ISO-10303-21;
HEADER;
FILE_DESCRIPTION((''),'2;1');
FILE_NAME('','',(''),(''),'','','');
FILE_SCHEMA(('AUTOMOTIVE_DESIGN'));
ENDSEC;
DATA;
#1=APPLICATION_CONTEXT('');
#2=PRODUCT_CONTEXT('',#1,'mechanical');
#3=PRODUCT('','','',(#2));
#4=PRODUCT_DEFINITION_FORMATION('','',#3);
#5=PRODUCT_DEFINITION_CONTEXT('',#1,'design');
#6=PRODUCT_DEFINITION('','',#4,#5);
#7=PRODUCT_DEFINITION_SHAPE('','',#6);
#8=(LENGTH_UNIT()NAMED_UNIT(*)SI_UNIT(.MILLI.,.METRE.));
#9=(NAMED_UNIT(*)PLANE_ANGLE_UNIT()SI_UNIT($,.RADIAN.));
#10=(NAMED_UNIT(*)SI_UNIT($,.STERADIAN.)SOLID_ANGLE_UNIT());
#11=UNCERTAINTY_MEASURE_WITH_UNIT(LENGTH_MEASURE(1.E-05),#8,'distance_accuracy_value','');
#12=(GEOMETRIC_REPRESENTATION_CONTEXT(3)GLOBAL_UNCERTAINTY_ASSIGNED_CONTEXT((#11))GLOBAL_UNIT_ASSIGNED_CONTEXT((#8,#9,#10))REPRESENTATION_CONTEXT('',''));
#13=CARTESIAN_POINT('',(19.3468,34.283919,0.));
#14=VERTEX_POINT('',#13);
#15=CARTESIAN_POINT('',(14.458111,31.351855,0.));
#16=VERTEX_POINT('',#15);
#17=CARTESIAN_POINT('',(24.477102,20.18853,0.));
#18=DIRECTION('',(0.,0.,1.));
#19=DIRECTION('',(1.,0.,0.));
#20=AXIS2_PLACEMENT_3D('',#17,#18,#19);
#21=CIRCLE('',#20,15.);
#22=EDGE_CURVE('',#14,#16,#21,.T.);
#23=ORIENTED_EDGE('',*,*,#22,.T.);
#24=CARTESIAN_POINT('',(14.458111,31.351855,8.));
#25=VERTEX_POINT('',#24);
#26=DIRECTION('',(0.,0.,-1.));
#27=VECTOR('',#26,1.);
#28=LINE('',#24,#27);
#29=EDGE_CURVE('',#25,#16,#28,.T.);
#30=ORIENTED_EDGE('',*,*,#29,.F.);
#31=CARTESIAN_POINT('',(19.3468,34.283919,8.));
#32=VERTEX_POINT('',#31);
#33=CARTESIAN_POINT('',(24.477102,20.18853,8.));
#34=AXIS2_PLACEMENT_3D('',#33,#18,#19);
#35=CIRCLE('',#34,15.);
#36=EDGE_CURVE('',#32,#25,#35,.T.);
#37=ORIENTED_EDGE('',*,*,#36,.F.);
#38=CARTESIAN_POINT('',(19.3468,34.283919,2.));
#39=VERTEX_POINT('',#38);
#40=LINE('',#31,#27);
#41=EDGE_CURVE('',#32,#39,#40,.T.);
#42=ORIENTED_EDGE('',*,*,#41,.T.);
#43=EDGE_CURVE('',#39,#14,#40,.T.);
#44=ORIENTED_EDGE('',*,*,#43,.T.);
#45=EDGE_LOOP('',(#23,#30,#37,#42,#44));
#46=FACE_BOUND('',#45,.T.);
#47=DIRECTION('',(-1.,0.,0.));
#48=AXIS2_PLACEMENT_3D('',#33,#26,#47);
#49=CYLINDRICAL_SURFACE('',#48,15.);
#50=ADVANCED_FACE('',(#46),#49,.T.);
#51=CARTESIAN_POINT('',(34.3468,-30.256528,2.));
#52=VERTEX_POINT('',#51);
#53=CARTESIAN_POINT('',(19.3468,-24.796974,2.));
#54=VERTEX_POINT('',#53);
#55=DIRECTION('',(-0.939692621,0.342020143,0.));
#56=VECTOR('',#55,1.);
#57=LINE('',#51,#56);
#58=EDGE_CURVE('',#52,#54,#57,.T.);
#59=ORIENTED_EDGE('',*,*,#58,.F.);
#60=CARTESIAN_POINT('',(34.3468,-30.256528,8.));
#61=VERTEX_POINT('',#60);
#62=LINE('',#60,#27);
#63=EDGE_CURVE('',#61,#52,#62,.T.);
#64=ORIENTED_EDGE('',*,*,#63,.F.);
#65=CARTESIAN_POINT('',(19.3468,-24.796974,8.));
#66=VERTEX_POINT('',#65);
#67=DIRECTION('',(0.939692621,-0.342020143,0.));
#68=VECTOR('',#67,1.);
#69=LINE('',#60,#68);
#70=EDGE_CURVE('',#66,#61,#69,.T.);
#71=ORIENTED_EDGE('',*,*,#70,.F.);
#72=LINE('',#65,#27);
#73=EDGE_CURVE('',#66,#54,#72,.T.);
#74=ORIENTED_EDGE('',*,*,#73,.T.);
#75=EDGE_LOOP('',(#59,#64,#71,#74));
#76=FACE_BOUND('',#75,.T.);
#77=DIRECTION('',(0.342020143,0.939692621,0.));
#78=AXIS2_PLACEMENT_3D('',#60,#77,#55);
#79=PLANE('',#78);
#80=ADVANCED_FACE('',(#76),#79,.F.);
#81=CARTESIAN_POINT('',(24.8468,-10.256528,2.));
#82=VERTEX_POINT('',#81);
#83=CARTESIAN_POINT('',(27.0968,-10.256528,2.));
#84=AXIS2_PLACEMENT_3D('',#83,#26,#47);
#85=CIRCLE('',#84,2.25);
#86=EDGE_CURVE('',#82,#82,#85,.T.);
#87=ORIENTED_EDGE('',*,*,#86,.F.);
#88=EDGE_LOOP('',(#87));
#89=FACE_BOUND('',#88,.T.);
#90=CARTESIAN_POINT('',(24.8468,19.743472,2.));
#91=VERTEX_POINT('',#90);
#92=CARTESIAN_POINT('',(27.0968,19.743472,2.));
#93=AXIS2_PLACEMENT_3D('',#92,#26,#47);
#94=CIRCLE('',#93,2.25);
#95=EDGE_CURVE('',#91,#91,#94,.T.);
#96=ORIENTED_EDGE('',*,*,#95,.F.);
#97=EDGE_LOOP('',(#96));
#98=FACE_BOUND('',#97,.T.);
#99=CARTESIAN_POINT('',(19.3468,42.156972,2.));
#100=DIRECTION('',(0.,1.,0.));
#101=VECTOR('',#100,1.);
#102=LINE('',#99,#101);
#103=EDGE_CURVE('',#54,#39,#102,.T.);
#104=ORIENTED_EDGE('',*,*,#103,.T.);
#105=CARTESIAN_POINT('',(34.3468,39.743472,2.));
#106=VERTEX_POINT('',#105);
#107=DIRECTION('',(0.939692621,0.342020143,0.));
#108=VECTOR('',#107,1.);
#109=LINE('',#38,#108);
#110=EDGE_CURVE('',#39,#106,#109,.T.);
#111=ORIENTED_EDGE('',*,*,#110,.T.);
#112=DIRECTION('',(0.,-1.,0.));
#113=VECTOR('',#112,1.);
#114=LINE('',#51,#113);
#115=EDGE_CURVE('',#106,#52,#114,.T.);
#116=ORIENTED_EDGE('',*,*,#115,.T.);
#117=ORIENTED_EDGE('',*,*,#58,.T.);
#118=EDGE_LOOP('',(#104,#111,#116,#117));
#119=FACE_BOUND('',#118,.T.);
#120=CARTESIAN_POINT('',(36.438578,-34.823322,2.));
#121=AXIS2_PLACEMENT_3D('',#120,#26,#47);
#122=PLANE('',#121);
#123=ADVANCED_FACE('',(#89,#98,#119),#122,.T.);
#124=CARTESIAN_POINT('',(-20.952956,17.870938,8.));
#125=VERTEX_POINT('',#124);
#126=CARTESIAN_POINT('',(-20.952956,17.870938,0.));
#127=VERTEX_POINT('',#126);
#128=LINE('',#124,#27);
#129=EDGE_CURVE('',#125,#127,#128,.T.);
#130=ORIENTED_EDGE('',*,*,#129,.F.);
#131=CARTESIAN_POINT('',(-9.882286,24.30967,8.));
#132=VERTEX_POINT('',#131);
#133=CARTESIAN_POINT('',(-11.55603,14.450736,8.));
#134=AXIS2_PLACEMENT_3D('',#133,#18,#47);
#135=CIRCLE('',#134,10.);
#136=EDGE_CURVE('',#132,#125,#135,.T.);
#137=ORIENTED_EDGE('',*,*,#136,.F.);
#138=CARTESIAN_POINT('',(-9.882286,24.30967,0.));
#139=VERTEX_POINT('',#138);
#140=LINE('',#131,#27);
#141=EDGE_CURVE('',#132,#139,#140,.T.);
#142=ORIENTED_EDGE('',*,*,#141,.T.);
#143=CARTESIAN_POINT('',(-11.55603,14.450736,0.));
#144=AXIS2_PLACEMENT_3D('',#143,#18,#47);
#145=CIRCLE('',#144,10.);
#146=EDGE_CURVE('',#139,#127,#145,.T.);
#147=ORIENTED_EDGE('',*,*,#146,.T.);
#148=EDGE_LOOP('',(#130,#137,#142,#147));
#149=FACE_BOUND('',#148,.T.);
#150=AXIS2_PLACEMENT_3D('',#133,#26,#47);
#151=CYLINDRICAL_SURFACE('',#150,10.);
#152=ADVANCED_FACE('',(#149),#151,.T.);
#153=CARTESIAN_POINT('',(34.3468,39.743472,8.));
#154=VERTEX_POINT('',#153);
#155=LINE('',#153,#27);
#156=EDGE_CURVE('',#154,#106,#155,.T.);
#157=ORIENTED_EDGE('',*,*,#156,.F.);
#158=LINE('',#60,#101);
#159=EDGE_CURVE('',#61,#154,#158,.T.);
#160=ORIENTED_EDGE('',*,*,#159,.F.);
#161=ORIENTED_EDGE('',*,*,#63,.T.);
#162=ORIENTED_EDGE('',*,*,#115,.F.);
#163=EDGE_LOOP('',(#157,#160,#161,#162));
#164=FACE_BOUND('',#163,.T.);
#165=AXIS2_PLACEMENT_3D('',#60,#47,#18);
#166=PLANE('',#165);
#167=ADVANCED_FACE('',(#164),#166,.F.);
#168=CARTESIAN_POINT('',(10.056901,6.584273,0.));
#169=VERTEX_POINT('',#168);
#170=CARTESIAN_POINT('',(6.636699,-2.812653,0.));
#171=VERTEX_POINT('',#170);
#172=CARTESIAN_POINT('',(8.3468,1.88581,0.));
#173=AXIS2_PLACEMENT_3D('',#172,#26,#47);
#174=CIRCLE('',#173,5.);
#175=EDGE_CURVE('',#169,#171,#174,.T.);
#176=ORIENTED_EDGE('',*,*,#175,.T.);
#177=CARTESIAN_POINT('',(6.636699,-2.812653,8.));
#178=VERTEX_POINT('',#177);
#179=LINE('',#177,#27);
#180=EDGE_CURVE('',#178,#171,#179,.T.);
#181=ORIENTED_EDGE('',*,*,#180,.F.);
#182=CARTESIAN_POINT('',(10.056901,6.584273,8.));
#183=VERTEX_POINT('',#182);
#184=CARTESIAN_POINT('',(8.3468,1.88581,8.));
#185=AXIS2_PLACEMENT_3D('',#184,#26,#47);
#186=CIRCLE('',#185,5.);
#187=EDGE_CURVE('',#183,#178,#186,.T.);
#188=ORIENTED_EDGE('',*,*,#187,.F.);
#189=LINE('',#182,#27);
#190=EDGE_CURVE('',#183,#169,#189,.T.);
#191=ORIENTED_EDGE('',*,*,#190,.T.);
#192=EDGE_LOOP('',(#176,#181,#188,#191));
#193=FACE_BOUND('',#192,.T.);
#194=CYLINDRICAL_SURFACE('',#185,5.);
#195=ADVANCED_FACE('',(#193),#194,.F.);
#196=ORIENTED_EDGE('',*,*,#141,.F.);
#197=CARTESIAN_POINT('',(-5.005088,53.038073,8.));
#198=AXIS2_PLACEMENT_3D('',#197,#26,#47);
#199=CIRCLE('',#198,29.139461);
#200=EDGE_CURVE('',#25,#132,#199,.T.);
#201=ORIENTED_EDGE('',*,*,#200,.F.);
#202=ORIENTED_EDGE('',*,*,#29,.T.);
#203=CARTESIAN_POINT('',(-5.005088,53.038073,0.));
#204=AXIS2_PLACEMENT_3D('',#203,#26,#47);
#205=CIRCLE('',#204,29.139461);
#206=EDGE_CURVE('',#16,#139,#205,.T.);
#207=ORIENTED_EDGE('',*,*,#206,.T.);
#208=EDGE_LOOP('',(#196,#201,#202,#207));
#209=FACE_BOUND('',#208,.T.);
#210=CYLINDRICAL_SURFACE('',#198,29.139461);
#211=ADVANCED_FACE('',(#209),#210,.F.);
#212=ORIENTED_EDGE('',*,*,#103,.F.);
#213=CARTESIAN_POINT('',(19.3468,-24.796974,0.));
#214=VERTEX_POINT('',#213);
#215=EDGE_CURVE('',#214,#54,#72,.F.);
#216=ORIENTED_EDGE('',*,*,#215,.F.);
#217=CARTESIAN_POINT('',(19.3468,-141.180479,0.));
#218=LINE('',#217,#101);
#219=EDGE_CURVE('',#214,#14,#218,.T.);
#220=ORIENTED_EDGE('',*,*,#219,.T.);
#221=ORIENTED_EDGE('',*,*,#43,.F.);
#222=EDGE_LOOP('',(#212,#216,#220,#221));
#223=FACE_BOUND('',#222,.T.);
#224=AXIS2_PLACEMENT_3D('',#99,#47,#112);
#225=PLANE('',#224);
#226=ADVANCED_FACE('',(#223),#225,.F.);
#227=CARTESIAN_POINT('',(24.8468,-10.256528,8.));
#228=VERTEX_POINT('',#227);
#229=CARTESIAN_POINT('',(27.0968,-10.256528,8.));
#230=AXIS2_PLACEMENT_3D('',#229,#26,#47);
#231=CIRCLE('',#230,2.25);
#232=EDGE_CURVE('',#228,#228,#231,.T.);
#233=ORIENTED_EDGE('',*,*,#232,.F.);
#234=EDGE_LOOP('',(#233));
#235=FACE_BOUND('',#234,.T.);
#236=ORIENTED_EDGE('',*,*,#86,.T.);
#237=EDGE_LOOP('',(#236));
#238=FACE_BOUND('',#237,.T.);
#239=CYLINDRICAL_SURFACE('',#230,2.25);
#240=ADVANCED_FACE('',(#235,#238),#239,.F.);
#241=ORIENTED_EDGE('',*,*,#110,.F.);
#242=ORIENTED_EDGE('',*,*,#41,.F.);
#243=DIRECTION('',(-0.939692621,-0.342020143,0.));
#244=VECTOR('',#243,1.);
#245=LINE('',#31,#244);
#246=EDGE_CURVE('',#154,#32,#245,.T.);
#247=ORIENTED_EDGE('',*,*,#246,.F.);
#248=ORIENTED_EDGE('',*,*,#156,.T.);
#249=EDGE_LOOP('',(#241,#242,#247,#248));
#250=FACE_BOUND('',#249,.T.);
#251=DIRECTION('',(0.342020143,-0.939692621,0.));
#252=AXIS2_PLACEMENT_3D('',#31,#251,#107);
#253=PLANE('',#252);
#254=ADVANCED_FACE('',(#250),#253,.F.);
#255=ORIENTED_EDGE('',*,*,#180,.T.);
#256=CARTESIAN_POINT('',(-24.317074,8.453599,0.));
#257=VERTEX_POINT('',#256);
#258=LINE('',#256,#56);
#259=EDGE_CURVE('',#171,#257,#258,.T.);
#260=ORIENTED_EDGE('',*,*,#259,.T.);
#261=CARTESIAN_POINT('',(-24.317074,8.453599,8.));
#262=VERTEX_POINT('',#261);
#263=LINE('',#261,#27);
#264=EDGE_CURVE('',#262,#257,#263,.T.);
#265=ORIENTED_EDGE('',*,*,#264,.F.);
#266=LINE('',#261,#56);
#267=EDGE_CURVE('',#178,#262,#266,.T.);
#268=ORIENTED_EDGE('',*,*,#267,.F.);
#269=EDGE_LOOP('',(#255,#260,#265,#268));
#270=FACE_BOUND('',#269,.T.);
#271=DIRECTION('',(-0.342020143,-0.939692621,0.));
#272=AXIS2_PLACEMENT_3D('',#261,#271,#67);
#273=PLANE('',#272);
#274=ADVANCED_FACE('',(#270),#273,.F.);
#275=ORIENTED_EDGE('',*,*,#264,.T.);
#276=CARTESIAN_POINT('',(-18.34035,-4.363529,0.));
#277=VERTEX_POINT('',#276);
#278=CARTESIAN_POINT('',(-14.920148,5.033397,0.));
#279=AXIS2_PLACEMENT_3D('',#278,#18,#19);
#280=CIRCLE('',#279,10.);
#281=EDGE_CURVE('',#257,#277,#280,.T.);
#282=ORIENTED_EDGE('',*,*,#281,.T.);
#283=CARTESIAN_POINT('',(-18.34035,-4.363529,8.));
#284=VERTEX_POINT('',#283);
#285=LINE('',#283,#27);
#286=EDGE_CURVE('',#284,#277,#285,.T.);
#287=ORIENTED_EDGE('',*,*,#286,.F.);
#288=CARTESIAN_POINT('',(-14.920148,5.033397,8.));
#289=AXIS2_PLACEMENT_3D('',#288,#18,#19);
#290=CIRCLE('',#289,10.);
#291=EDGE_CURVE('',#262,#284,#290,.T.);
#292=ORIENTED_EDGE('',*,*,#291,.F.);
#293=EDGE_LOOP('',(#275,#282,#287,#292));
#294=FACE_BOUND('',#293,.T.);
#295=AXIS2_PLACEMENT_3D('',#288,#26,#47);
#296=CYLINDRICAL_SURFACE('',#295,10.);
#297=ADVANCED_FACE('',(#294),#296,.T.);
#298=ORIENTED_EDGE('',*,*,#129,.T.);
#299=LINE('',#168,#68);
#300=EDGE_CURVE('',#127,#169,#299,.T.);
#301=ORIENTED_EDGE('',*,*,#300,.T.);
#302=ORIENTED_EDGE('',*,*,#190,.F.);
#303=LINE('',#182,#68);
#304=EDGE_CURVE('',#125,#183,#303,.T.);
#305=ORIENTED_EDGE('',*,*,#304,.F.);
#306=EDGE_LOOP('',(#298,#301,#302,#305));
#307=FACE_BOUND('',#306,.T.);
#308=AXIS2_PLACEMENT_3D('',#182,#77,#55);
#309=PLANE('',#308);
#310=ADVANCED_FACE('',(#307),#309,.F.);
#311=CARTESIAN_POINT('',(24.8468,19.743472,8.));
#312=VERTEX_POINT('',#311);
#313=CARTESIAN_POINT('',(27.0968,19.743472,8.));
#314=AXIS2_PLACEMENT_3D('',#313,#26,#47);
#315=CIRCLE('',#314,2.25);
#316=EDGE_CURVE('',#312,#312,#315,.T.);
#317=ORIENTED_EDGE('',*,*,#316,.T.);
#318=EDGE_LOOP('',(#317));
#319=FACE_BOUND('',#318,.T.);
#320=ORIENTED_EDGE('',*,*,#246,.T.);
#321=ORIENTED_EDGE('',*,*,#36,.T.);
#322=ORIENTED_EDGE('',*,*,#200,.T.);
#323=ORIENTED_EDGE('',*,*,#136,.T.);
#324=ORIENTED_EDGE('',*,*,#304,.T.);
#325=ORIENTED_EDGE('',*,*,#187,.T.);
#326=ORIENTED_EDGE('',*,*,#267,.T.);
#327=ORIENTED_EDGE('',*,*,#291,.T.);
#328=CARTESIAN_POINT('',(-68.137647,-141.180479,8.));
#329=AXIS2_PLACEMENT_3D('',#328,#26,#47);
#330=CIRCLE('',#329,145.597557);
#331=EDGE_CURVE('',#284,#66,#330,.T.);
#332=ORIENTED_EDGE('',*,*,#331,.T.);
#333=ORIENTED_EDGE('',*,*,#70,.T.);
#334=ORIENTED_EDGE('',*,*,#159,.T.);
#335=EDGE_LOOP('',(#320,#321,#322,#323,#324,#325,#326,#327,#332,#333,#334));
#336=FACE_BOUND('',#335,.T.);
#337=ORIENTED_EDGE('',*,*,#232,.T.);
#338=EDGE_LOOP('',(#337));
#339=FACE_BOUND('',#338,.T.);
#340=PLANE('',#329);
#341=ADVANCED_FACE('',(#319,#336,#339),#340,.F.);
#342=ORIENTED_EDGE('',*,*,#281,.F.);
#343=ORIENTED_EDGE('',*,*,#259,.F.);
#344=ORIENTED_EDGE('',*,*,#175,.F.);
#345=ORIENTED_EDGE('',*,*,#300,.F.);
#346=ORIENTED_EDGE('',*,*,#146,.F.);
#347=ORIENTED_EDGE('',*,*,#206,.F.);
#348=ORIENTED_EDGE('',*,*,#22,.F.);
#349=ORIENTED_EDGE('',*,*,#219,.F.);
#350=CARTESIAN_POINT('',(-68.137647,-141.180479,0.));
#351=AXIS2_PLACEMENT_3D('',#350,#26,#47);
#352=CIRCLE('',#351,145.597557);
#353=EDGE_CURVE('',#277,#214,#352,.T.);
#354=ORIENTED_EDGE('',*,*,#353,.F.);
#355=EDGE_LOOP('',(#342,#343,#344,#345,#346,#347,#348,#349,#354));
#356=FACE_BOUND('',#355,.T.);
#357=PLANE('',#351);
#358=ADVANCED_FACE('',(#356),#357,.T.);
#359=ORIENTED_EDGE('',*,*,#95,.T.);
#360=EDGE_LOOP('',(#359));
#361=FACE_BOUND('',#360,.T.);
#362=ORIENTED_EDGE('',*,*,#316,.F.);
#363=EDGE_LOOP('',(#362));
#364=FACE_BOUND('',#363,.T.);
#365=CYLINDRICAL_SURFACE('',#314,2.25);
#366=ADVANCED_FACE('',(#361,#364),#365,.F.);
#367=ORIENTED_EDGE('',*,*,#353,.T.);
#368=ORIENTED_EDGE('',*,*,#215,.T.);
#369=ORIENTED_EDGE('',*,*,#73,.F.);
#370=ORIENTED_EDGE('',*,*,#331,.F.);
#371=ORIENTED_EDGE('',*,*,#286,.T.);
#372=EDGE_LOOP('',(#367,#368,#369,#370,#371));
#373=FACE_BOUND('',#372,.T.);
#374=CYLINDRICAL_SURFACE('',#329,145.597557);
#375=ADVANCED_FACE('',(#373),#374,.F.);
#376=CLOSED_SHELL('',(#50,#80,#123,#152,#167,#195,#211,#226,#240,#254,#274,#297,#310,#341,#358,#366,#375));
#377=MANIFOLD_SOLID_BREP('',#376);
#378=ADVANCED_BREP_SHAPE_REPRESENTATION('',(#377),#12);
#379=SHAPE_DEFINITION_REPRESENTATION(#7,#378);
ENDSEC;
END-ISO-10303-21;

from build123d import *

# Parameters (mm, degrees)
EXTRUSION1_DEPTH = 8
ESQUISSE5_W      = 17.091778577
ESQUISSE5_H      = 76.980294062
EXTRUSION3_DEPTH = 2
ESQUISSE6_R      = 2.25
EXTRUSION4_DEPTH = 7


with BuildPart() as part:
    # Esquisse1 → Extrusion1 (new body)
    with BuildSketch(Plane.XY):
        with BuildLine():
            Line((34.346799903, -30.256527517), (34.346799903, 39.743472483))
            Line((34.346799903, 39.743472483), (19.346799903, 34.283918969))
            ThreePointArc((19.346799903, 34.283918969), (16.761888626, 33.052257025), (14.45811141, 31.351854722))
            ThreePointArc((14.45811141, 31.351854722), (3.093427207, 25.046605726), (-9.882286187, 24.309670273))
            ThreePointArc((-9.882286187, 24.309670273), (-16.583574554, 23.095028583), (-20.952955866, 17.870937546))
            Line((-20.952955866, 17.870937546), (10.05690062, 6.584272816))
            ThreePointArc((10.05690062, 6.584272816), (13.045263007, 0.175708995), (6.636699186, -2.812653392))
            Line((6.636699186, -2.812653392), (-24.3170743, 8.453598795))
            ThreePointArc((-24.3170743, 8.453598795), (-23.983225962, 0.807214745), (-18.340349525, -4.363528846))
            ThreePointArc((-18.340349525, -4.363528846), (1.25940449, -13.185565307), (19.346799903, -24.796974003))
            Line((19.346799903, -24.796974003), (34.346799903, -30.256527517))
        make_face()
    extrude(amount=EXTRUSION1_DEPTH)

    # Esquisse5 → Extrusion3 (cut)
    with BuildSketch(Plane(origin=(0, 0, 0), x_dir=(-1, 0, 0), z_dir=(0, 0, -1))):
        with Locations((-27.892689192, 3.666825014)):
            Rectangle(ESQUISSE5_W, ESQUISSE5_H)
    extrude(amount=-EXTRUSION3_DEPTH, mode=Mode.SUBTRACT)

    # Esquisse6 → Extrusion4 (cut, through all)
    with BuildSketch(Plane(origin=(0, 0, 2), x_dir=(-1, 0, 0), z_dir=(0, 0, -1))):
        with Locations((-27.096799903, 19.743472483)):
            Circle(ESQUISSE6_R)
        with Locations((-27.096799903, -10.256527517)):
            Circle(ESQUISSE6_R)
    extrude(amount=-EXTRUSION4_DEPTH, mode=Mode.SUBTRACT)


solid = part.part
